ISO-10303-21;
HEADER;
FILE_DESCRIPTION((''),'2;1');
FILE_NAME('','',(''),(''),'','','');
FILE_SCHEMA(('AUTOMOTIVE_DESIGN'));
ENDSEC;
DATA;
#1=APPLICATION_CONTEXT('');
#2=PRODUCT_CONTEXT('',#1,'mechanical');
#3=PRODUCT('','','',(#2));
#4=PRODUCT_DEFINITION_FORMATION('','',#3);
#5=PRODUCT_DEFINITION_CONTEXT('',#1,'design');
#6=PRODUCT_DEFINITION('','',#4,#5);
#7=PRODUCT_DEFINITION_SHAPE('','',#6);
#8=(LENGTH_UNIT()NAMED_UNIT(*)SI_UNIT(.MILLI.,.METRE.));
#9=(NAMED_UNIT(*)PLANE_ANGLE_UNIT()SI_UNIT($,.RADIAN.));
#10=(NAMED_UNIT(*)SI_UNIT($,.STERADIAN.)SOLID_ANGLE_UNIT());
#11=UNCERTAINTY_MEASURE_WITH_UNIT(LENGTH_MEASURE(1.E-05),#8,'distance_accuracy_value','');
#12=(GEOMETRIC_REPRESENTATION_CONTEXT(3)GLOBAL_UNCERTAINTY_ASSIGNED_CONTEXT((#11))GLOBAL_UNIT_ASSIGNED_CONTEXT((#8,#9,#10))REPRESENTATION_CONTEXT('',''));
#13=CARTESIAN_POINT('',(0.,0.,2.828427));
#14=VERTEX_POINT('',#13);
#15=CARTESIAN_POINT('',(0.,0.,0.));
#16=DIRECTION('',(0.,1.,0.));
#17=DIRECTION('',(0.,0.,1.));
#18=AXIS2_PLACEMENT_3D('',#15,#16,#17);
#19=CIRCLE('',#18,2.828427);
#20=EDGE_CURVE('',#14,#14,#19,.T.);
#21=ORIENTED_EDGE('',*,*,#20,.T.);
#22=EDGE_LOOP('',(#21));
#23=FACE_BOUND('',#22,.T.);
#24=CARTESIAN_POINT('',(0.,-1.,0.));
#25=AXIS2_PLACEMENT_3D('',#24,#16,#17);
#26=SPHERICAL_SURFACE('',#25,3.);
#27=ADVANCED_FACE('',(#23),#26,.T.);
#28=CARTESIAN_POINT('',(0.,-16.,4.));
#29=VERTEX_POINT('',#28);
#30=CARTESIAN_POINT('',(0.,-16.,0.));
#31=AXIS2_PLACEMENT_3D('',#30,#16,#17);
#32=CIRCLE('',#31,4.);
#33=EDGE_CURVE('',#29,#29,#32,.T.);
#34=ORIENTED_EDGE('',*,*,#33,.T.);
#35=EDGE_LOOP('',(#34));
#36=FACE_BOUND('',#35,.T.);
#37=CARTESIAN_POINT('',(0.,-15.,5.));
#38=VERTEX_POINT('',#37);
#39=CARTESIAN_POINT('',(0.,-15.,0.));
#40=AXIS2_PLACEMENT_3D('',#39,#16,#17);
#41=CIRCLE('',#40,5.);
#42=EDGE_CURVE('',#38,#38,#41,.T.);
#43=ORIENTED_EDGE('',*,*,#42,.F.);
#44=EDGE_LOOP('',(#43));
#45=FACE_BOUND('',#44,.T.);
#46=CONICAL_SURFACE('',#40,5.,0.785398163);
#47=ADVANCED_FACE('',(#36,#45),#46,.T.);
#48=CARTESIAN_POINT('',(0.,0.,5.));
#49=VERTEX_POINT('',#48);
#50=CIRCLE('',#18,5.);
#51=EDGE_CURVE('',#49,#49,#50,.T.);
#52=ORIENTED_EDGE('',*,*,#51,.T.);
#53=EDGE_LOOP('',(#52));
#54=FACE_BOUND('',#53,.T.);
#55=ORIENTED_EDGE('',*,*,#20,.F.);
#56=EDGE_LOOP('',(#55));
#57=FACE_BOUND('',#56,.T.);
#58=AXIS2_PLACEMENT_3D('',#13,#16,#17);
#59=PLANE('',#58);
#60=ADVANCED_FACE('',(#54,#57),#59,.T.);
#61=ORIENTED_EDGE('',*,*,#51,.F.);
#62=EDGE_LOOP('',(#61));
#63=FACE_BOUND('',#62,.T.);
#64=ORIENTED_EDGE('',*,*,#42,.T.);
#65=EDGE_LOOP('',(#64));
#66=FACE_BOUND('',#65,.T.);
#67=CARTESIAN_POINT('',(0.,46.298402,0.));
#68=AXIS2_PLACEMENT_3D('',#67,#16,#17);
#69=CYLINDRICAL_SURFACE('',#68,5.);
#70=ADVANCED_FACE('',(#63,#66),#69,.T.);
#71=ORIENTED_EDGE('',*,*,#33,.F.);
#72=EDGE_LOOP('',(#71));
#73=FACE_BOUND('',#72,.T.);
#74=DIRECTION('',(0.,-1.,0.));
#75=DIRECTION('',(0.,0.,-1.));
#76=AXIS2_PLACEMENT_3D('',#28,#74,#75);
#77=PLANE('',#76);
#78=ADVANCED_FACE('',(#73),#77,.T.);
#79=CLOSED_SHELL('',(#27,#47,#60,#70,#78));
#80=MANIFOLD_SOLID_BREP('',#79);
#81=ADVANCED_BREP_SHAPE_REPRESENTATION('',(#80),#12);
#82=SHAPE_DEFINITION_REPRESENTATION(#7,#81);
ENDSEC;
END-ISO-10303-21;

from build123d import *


with BuildPart() as part:
    # 草图1 → 旋转1 (revolve)
    with BuildSketch(Plane(origin=(0, 0, 0), x_dir=(0, 0, -1), z_dir=(1, 0, 0))):
        with BuildLine():
            Line((-2.828427125, 0), (-5, 0))
            Line((-5, 0), (-5, -15))
            Line((-5, -15), (-4, -16))
            Line((-4, -16), (0, -16))
            Line((0, -16), (0, 2))
            ThreePointArc((0, 2), (-1.732050808, 1.449489743), (-2.828427125, 0))
        make_face()
    revolve(axis=Axis((0, 46.298402486, 0), (0, -1, 0)))


solid = part.part
